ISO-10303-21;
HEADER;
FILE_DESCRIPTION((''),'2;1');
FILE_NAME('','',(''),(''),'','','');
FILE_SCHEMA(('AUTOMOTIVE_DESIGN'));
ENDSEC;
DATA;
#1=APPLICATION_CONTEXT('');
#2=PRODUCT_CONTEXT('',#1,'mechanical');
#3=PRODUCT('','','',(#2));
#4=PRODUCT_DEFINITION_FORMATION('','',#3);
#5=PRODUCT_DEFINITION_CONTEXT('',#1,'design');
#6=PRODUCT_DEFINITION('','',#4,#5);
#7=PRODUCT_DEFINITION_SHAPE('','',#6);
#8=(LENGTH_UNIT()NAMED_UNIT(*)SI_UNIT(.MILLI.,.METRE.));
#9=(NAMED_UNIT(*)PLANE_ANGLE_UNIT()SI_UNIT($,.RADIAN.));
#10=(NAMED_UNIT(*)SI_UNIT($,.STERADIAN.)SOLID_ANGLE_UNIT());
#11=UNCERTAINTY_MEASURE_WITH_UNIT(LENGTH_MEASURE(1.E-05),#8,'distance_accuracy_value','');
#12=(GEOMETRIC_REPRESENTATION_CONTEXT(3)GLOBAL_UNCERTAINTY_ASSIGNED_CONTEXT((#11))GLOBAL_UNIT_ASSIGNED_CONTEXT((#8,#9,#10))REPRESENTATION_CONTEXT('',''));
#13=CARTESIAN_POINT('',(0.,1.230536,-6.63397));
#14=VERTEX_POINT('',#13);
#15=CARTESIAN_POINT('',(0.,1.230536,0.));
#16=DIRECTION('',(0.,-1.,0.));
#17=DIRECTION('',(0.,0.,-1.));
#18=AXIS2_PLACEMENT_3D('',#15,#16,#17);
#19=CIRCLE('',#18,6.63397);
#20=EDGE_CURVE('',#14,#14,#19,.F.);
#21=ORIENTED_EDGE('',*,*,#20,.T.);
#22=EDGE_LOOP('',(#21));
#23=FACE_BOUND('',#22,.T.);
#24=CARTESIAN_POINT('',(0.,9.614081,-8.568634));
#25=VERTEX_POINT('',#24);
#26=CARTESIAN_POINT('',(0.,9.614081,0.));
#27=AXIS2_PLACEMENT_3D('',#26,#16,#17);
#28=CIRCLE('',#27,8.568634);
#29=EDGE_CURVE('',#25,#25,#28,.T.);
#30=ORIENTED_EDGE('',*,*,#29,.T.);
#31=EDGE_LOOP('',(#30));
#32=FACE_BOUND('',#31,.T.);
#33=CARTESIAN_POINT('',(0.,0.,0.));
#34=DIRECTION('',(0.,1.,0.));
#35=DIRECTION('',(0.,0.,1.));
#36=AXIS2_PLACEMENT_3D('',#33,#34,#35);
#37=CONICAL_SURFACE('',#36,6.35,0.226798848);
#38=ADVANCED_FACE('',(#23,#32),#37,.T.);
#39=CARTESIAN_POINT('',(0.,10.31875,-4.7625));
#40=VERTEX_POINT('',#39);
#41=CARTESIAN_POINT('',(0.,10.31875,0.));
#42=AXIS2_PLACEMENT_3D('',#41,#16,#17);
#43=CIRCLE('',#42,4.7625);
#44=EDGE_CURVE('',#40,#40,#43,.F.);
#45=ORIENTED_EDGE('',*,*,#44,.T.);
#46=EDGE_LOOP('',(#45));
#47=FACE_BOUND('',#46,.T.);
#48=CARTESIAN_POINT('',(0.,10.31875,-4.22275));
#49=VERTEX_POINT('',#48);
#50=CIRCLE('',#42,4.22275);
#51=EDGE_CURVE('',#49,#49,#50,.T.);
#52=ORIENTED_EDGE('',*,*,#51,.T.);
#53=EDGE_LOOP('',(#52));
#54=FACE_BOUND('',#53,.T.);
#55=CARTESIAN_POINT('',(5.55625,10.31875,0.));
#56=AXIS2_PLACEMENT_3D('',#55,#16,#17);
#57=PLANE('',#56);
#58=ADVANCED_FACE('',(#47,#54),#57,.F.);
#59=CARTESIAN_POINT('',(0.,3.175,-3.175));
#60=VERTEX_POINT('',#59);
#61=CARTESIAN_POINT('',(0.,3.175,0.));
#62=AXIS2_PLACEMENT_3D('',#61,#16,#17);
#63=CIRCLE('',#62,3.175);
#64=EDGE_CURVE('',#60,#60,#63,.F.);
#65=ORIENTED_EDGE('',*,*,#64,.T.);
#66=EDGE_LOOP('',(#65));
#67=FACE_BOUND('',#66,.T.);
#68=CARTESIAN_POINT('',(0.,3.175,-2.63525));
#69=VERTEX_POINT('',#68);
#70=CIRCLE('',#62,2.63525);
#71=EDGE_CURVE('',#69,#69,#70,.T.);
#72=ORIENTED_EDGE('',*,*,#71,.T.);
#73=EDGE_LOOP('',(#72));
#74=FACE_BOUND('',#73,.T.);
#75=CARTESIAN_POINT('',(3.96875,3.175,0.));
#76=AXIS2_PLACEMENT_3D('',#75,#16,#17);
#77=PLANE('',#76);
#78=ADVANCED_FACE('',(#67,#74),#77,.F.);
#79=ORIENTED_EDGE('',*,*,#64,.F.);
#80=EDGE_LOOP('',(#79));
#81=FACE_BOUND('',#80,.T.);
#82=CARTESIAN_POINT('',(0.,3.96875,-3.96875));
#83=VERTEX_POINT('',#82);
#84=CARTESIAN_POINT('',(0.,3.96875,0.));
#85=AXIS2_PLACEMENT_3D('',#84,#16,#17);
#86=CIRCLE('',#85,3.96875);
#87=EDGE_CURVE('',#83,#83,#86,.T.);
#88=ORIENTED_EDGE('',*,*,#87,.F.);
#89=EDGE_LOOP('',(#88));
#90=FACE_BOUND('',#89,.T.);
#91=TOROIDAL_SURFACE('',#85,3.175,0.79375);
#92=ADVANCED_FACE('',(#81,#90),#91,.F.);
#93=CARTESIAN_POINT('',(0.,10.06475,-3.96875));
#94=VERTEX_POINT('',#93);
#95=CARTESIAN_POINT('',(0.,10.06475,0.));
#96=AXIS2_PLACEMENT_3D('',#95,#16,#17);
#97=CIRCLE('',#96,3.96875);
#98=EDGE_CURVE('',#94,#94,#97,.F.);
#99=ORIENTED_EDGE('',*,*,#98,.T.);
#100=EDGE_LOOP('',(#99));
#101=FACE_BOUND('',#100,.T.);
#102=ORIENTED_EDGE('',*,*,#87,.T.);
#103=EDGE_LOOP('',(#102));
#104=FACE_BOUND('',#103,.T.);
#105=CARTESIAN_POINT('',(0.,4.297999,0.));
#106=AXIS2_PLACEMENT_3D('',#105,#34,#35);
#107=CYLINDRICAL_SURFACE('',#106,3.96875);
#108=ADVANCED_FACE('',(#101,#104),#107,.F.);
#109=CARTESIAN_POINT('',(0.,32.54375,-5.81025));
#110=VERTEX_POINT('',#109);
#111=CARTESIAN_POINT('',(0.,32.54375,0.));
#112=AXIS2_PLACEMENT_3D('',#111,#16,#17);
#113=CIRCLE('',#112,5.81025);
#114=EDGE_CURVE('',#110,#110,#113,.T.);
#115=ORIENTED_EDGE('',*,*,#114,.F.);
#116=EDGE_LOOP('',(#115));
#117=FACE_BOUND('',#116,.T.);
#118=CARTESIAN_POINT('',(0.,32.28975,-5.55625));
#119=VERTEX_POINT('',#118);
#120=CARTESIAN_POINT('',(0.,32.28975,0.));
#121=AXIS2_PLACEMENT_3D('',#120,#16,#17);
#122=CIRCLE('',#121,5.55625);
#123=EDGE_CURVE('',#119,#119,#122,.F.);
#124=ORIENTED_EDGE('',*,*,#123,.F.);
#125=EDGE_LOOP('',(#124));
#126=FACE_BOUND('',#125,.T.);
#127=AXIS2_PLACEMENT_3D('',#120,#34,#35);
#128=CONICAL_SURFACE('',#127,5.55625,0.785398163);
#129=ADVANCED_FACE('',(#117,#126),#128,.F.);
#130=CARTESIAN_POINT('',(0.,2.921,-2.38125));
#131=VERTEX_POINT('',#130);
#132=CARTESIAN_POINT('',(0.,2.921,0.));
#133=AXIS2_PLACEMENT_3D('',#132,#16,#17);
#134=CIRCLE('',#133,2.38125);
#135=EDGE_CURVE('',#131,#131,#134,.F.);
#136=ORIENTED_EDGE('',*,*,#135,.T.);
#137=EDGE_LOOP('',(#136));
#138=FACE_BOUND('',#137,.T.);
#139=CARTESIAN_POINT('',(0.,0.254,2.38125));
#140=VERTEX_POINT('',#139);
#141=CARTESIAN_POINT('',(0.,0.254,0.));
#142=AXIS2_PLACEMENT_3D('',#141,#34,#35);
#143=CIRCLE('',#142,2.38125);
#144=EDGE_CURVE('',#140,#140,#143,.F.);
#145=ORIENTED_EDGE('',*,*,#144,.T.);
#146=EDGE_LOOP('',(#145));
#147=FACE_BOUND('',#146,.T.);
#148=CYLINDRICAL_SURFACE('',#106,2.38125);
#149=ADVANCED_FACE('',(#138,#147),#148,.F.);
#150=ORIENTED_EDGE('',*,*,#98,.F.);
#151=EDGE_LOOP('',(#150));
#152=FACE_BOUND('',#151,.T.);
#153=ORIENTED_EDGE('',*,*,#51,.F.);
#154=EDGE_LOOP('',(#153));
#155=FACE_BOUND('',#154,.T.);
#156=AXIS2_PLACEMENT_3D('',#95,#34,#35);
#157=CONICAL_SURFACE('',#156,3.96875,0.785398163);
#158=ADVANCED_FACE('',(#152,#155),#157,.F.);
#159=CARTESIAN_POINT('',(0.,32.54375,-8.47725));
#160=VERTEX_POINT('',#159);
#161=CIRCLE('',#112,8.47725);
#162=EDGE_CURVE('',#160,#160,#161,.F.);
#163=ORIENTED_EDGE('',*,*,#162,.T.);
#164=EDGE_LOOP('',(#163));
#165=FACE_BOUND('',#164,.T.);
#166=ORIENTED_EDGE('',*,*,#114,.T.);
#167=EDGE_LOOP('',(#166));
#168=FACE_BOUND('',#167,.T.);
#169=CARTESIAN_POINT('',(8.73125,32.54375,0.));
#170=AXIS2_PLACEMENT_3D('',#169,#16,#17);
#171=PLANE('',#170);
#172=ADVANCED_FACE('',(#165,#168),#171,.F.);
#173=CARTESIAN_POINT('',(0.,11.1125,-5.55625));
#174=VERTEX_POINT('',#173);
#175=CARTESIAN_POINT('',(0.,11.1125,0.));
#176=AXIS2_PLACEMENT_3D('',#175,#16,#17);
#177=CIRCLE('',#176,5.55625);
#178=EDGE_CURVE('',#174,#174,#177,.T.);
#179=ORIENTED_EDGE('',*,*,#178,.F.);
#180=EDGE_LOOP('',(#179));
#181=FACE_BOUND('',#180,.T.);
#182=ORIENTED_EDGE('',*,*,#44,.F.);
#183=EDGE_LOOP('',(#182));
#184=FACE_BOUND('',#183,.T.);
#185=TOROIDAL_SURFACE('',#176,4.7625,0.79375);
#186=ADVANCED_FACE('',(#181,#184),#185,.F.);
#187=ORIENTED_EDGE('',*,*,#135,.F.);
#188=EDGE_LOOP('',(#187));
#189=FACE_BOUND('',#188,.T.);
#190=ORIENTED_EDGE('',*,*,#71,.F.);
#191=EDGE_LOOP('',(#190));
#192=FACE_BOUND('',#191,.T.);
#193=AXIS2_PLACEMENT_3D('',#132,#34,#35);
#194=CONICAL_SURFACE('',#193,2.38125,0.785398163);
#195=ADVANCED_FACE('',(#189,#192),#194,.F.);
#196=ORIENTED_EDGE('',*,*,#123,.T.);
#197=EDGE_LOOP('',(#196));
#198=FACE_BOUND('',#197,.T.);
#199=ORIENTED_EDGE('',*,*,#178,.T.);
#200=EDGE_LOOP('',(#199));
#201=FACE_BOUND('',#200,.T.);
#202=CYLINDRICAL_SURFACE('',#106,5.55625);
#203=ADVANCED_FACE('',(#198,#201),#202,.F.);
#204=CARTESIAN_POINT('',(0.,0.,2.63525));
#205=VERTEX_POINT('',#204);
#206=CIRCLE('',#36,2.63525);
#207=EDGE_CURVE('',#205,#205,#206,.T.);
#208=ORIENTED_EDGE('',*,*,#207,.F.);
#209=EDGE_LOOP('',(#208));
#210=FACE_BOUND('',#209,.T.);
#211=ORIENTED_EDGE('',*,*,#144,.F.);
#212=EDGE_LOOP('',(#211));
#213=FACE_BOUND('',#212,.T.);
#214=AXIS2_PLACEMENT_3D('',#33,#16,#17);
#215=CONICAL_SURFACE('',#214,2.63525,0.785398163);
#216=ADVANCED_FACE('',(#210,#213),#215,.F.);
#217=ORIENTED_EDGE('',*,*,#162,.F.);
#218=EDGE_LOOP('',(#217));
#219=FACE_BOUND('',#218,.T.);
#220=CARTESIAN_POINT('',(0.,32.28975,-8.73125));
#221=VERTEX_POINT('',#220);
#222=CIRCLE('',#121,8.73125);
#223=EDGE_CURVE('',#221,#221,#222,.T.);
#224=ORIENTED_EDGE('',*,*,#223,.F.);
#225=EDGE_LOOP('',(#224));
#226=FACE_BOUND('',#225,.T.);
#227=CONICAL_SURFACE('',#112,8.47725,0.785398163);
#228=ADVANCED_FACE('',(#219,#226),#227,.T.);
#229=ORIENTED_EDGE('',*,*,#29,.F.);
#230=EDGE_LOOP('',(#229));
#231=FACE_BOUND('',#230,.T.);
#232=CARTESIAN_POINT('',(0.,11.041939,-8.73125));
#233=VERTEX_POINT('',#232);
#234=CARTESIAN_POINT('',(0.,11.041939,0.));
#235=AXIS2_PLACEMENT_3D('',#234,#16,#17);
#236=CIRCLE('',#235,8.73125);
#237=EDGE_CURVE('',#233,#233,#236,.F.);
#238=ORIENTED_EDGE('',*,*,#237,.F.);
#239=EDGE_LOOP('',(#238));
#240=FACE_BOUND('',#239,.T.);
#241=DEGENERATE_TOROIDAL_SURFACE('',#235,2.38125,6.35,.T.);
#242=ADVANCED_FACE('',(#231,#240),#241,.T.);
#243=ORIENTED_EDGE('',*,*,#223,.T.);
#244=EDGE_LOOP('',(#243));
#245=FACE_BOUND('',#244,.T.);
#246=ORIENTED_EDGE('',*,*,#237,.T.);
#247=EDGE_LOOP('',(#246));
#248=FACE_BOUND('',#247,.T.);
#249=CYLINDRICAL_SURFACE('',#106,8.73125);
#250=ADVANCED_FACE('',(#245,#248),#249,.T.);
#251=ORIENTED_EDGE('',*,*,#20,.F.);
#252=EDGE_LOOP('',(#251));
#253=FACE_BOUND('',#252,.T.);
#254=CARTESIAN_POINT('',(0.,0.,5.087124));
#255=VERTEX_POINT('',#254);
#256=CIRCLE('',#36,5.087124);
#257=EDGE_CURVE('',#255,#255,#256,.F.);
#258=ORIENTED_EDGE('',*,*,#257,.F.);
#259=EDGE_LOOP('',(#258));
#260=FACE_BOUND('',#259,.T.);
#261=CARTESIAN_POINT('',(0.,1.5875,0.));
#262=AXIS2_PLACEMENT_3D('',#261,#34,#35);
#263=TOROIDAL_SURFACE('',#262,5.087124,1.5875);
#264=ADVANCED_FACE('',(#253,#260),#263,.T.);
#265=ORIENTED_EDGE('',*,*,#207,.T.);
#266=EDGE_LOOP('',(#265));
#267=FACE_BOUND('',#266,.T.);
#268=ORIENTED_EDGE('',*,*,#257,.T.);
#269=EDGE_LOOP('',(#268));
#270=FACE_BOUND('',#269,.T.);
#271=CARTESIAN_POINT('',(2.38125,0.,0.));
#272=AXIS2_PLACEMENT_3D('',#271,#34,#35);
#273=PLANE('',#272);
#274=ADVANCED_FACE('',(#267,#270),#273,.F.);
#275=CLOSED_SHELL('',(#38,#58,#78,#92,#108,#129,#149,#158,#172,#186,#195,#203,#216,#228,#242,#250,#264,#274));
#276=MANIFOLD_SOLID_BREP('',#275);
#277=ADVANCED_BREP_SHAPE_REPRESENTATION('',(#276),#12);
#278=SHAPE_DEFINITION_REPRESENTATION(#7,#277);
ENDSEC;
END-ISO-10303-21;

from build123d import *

# Parameters (mm, degrees)
FILLET2_R     = 6.35
FILLET3_R     = 1.5875
FILLET1_R     = 0.79375
CHAMFER1_SIZE = 0.254


with BuildPart() as part:
    # Sketch1 → Revolve1 (revolve)
    with BuildSketch(Plane.XY):
        Polygon((8.73125, 32.54375), (5.55625, 32.54375), (5.55625, 10.31875), (3.96875, 10.31875), (3.96875, 3.175), (2.38125, 3.175), (2.38125, 0), (6.35, 0), (8.73125, 10.31875), align=None)
    revolve(axis=Axis((0, 4.297998533, 0), (0, -1, 0)))

    # Fillet2
    fillet2_edges = [part.edges().sort_by_distance(p)[0] for p in [
        (-8.73125, 10.31875, 0),
    ]]
    fillet(fillet2_edges, radius=FILLET2_R)

    # Fillet3
    fillet3_edges = [part.edges().sort_by_distance(p)[0] for p in [
        (-6.35, 0, 0),
    ]]
    fillet(fillet3_edges, radius=FILLET3_R)

    # Fillet1
    fillet1_edges = [part.edges().sort_by_distance(p)[0] for p in [
        (-5.55625, 10.31875, 0),
        (-3.96875, 3.175, 0),
    ]]
    fillet(fillet1_edges, radius=FILLET1_R)

    # Chamfer1
    chamfer1_edges = [part.edges().sort_by_distance(p)[0] for p in [
        (-2.38125, 0, 0),
        (-8.73125, 32.54375, 0),
        (-5.55625, 32.54375, 0),
        (-3.96875, 10.31875, 0),
        (-2.38125, 3.175, 0),
    ]]
    chamfer(chamfer1_edges, length=CHAMFER1_SIZE)


solid = part.part
